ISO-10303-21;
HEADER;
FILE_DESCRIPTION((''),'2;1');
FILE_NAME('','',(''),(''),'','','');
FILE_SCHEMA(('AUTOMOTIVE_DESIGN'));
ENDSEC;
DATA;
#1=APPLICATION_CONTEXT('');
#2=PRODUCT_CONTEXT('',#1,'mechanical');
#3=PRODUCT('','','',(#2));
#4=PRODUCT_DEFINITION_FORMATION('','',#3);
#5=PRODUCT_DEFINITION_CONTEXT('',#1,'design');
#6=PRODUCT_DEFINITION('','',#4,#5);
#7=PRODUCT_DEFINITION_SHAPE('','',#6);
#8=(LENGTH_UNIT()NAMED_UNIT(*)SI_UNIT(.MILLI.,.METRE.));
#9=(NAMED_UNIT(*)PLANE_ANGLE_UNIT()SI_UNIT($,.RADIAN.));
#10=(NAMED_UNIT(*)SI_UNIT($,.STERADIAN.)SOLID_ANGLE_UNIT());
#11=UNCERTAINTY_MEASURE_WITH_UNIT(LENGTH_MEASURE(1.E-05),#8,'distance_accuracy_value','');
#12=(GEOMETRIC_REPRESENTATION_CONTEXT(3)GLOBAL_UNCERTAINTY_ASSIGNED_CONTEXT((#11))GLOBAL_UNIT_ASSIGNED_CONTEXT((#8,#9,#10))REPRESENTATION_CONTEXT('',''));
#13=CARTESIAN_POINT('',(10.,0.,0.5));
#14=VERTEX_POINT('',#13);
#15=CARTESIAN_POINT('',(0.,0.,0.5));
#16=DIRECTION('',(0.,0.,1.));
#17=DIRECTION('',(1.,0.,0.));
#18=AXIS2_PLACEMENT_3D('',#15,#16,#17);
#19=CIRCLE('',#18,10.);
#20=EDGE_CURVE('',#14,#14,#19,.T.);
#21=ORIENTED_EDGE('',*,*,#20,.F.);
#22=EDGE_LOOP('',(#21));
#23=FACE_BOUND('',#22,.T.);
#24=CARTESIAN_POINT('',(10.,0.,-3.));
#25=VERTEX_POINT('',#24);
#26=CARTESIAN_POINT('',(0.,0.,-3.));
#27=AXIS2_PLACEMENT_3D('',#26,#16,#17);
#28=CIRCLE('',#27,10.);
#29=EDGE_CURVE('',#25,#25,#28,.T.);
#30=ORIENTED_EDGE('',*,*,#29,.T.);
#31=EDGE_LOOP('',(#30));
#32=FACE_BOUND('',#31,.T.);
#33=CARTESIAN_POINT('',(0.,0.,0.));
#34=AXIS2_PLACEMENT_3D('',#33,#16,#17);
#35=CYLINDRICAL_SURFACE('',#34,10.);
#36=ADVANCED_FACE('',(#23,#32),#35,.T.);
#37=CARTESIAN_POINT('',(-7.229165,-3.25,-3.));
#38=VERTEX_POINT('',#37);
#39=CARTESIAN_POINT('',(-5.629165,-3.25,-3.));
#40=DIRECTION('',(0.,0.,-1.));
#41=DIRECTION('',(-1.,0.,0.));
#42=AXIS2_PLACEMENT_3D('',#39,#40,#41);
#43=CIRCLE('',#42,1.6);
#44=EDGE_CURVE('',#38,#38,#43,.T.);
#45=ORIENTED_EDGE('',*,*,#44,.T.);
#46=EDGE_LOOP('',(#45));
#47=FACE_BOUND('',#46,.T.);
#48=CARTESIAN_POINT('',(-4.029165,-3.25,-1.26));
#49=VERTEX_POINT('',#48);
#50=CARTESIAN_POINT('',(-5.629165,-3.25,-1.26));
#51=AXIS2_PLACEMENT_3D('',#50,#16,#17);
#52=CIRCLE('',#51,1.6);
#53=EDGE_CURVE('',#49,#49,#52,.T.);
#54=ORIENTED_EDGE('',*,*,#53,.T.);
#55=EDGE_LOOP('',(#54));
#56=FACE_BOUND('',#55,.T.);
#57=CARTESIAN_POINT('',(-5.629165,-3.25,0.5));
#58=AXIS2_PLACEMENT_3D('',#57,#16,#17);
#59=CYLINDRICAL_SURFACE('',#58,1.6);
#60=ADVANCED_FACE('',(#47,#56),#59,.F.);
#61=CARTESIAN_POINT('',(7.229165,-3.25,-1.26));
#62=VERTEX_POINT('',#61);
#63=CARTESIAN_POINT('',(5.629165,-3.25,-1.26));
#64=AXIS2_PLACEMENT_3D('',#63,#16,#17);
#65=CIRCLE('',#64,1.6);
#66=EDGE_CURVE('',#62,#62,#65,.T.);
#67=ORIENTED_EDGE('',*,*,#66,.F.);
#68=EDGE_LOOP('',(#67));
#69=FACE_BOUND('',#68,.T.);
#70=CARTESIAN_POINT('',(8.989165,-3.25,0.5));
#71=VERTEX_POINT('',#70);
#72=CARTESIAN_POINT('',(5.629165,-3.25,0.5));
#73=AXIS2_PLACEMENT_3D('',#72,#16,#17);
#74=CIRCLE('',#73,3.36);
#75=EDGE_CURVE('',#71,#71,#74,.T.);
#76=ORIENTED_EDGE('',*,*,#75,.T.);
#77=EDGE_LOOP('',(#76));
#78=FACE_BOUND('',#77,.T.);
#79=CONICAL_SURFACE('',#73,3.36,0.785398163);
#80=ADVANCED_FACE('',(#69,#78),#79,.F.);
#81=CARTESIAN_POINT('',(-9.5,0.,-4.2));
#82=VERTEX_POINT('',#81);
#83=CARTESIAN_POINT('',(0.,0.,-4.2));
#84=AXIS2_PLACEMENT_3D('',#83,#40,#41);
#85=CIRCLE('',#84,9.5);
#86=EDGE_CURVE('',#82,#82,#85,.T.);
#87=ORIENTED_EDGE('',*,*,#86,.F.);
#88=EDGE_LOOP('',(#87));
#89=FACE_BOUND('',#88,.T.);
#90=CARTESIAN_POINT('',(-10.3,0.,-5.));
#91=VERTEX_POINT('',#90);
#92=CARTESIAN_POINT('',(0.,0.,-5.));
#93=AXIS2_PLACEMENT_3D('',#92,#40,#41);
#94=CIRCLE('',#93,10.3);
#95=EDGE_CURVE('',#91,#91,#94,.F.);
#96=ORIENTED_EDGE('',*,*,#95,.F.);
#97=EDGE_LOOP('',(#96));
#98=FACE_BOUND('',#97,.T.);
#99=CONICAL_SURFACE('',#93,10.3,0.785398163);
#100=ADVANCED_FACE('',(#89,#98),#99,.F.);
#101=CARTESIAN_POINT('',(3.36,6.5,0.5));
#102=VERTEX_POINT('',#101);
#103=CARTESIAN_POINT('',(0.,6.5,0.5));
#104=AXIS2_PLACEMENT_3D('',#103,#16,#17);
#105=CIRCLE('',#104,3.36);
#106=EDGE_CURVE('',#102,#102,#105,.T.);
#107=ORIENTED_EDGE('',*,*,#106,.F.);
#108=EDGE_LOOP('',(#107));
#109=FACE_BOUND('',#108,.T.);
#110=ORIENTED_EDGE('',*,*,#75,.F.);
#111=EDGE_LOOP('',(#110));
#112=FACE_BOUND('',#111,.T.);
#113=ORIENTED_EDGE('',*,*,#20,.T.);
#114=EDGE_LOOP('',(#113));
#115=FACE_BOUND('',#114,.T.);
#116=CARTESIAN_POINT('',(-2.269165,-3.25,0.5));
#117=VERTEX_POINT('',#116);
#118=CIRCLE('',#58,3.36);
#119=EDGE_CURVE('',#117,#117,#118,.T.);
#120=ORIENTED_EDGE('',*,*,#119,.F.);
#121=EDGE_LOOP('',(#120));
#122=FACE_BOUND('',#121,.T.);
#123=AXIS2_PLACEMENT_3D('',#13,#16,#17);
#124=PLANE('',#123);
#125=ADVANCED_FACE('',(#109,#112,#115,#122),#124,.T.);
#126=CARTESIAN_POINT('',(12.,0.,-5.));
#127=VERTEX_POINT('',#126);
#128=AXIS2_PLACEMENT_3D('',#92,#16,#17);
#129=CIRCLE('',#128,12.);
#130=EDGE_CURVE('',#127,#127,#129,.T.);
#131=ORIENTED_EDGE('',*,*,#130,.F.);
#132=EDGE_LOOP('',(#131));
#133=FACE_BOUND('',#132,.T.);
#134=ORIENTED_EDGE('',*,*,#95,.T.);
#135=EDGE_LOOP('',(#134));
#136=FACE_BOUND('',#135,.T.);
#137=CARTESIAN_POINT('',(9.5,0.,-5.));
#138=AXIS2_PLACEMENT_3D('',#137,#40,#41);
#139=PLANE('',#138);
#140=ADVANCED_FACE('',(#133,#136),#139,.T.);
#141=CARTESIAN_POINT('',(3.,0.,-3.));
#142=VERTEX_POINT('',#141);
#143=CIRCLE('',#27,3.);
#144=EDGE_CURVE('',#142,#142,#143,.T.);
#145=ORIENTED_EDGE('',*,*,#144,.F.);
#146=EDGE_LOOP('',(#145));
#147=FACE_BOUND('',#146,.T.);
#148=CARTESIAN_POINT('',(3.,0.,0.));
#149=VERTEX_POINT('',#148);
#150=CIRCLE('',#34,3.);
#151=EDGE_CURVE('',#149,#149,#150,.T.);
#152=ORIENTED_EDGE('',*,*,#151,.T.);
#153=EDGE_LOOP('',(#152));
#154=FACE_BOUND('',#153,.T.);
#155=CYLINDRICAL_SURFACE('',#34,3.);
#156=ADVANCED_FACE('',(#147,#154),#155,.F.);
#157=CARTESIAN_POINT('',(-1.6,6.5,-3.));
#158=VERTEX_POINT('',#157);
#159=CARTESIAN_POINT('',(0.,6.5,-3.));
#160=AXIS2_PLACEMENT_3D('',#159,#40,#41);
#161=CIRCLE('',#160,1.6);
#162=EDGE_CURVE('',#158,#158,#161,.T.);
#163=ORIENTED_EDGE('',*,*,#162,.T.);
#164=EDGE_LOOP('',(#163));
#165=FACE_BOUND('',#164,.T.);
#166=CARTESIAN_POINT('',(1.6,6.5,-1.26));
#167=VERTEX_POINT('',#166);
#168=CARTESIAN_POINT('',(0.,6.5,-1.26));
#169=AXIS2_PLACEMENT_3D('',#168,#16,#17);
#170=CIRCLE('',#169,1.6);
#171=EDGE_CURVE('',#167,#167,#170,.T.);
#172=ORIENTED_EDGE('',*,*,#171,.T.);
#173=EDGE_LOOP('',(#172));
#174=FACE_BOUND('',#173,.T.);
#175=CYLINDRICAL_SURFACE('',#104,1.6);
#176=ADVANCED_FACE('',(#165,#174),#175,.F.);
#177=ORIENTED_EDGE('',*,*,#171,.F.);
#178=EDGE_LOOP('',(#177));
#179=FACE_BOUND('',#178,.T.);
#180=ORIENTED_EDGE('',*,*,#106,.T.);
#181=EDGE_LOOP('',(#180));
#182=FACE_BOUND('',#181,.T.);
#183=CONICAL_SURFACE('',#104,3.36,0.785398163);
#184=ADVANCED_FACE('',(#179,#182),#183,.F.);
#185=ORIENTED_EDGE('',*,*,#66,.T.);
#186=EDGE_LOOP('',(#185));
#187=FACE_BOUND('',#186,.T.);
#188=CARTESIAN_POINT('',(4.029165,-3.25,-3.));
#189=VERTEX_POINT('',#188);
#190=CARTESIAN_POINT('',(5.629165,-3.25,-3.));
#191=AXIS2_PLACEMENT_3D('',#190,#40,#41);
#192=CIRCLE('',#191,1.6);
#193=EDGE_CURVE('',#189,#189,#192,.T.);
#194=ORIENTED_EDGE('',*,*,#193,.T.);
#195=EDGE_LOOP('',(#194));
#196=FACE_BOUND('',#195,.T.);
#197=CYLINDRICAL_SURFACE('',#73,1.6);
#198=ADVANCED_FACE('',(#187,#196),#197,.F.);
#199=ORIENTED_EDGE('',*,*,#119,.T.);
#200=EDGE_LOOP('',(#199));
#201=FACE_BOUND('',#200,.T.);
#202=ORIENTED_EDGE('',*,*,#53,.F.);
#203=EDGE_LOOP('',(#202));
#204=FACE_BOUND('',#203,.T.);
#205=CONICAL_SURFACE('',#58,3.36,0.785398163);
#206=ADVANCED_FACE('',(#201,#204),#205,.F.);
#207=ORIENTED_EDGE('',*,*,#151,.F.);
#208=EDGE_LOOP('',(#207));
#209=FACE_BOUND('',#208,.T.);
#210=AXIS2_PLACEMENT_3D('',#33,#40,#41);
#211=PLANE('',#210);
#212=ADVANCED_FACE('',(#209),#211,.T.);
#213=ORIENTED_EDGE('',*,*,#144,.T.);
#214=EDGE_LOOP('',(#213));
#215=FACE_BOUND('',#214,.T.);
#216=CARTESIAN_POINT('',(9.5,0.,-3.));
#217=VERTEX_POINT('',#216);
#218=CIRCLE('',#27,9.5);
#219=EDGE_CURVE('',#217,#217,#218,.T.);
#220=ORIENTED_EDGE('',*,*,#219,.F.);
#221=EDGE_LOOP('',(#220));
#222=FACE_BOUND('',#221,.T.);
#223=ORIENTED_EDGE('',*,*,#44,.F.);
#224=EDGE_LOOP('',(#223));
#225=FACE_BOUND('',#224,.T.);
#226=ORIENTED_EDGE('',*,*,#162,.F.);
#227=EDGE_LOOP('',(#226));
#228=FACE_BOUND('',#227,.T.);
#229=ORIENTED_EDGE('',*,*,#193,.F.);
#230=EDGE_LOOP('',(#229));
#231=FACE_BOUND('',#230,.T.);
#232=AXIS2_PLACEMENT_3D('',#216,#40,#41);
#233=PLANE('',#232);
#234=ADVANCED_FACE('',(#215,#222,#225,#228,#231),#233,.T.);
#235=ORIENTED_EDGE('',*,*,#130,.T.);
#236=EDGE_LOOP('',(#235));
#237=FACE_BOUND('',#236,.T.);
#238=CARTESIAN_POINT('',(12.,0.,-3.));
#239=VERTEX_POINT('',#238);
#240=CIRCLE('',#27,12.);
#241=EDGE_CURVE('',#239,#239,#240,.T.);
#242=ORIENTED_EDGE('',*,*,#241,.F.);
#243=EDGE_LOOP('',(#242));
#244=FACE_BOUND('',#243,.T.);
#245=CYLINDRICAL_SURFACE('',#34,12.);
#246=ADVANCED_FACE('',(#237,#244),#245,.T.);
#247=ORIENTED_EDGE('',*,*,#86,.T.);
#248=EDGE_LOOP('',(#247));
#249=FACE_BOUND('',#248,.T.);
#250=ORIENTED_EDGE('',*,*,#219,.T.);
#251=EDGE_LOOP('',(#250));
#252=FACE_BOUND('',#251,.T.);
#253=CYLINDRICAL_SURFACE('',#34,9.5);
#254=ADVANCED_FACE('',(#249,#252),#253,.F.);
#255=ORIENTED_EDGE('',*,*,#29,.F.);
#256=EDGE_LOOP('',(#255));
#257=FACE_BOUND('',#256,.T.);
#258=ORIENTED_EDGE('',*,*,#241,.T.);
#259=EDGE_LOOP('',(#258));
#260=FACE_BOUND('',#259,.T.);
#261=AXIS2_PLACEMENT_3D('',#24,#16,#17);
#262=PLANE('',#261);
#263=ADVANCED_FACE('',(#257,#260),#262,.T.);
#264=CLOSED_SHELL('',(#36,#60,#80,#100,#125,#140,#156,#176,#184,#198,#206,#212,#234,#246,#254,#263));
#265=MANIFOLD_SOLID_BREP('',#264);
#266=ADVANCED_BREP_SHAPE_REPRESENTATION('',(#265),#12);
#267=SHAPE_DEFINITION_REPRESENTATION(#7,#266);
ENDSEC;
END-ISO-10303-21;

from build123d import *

# Parameters (mm, degrees)
CSK_FOR_M3_SFHCS1_D           = 3.2
CSK_FOR_M3_SFHCS1_CSINK_D     = 6.72
CSK_FOR_M3_SFHCS1_CSINK_ANGLE = 90
CHAMFER1_SIZE                 = 0.8


with BuildPart() as part:
    # Sketch1 → Revolve1 (revolve)
    with BuildSketch(Plane(origin=(0, 0, 0), x_dir=(1, 0, 0), z_dir=(0, 1, 0))):
        Polygon((0, 0), (3, 0), (3, 3), (9.5, 3), (9.5, 5), (12, 5), (12, 3), (10, 3), (10, -0.5), (0, -0.5), align=None)
    revolve(axis=Axis((0, 0, 0), (0, 0, -1)))

    # CSK for M3 SFHCS1 (through all)
    with Locations(Plane.XY.offset(0.5)):
        with Locations((0, 6.5), (5.629165125, -3.25), (-5.629165125, -3.25)):
            CounterSinkHole(CSK_FOR_M3_SFHCS1_D / 2, CSK_FOR_M3_SFHCS1_CSINK_D / 2, counter_sink_angle=CSK_FOR_M3_SFHCS1_CSINK_ANGLE)

    # Chamfer1
    chamfer1_edges = [part.edges().sort_by_distance(p)[0] for p in [
        (-9.5, 0, -5),
    ]]
    chamfer(chamfer1_edges, length=CHAMFER1_SIZE)


solid = part.part
